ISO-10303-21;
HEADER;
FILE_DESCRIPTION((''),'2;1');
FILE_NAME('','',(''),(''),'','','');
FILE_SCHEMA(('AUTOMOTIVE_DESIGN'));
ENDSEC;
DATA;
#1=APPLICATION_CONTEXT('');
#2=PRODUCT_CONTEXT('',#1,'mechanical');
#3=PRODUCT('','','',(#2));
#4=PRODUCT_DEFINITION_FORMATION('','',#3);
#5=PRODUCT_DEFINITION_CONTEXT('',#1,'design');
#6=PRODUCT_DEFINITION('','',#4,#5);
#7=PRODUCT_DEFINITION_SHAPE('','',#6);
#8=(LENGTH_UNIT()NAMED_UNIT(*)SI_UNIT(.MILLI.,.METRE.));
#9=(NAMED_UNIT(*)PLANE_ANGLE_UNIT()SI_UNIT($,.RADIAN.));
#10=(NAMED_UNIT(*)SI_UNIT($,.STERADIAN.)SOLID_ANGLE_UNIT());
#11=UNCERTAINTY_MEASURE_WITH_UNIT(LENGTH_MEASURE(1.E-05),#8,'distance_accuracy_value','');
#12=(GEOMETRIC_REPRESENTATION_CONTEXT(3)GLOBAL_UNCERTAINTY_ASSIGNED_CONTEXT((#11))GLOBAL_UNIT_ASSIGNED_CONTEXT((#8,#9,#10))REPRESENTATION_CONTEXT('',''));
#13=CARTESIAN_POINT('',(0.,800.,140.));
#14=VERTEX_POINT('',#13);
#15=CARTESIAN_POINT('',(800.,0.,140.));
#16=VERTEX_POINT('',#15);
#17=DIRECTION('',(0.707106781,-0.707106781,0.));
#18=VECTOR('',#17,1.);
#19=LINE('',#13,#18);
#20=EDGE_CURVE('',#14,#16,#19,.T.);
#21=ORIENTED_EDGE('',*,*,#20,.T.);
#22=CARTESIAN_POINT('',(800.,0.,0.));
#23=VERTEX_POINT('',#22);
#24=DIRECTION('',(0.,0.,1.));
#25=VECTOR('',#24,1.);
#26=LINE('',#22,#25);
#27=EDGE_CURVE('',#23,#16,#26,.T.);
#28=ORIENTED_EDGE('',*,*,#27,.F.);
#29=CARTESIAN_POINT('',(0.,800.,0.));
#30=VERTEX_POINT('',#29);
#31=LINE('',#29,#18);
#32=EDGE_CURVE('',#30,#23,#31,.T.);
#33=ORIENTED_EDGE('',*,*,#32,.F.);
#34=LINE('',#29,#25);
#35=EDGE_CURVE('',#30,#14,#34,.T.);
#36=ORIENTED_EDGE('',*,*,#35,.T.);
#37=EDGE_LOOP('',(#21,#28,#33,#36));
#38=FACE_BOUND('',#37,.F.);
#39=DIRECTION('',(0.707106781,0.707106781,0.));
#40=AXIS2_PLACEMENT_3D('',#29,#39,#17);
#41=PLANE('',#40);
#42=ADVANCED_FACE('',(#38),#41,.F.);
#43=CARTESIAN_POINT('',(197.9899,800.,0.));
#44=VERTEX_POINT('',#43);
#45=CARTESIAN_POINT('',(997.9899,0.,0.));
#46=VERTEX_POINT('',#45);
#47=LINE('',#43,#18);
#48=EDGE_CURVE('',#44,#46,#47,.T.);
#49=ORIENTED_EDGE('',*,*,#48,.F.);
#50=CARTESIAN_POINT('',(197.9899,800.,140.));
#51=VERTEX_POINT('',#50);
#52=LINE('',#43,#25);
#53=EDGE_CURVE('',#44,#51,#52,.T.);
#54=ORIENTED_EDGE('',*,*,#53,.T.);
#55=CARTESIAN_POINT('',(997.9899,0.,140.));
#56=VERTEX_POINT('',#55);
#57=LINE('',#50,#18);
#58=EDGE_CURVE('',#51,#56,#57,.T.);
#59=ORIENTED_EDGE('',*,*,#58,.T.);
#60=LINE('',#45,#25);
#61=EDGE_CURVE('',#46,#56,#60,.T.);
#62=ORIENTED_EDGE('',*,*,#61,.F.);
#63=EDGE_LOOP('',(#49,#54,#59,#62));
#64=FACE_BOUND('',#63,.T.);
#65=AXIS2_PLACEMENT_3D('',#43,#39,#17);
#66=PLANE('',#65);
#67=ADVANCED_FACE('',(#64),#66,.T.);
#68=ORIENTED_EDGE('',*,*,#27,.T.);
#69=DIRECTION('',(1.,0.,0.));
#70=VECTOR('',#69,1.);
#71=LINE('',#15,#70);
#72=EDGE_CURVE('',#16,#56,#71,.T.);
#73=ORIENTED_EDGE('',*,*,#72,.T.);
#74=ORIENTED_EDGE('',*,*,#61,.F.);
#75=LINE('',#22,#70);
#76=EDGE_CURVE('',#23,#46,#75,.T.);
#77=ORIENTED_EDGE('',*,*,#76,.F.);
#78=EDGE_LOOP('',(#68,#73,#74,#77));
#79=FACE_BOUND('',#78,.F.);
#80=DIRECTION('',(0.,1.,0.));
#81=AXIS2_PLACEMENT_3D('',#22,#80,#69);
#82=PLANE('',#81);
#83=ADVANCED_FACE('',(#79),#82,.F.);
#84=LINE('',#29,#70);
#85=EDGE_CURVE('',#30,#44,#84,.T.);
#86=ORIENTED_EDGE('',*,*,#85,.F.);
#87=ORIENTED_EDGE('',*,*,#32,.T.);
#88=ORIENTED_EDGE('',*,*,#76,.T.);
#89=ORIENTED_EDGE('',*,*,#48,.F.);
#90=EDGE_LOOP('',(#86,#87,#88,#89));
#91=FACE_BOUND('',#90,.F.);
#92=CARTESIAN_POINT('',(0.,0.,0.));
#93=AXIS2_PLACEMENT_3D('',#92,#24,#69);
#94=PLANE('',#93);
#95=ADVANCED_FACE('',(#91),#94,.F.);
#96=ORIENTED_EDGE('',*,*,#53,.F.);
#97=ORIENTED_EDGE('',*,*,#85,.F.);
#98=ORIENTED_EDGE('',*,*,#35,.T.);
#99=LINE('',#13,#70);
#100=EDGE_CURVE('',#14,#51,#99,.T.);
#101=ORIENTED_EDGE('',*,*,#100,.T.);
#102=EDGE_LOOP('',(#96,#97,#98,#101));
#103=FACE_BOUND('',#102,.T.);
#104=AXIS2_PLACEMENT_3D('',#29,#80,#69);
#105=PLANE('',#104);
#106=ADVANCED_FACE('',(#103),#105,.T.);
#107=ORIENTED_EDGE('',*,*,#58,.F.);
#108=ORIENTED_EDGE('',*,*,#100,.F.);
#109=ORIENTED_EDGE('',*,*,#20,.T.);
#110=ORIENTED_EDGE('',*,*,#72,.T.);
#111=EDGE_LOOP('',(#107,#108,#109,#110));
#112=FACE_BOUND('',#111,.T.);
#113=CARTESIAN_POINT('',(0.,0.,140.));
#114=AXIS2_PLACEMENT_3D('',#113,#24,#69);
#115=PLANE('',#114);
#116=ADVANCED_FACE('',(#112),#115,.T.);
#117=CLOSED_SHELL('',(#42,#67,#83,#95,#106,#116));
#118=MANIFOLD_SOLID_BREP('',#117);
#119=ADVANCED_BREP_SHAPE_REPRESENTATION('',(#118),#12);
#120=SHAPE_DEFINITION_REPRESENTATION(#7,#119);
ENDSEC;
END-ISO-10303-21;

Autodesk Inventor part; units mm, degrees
ref_plane "YZ Plane" through (0, 0, 0) normal (1, 0, 0) x (0, 1, 0)
ref_plane "XZ Plane" through (0, 0, 0) normal (0, 1, 0) x (-1, 0, 0)
ref_plane "XY Plane" through (0, 0, 0) normal (0, 0, 1) x (1, 0, 0)
sketch "Sketch1" plane through (0, 0, 0) normal (0, 0, 1) x (1, 0, 0)
  line L0 (0, 0) -> (0, 800)
  line L1 (0, 800) -> (800, 0)
  line L2 (197.9899, 800) -> (997.9899, 0)
  line L3 (0, 800) -> (197.9899, 800)
  line L4 (800, 0) -> (997.9899, 0)
  dimension "d0" = 800
  dimension "d1" = 45
  dimension "d3" = 140
extrude "Extrusion1" add sketch "Sketch1" along normal blind 140
properties part number "Truss for cantilever" material "Stainless Steel"
